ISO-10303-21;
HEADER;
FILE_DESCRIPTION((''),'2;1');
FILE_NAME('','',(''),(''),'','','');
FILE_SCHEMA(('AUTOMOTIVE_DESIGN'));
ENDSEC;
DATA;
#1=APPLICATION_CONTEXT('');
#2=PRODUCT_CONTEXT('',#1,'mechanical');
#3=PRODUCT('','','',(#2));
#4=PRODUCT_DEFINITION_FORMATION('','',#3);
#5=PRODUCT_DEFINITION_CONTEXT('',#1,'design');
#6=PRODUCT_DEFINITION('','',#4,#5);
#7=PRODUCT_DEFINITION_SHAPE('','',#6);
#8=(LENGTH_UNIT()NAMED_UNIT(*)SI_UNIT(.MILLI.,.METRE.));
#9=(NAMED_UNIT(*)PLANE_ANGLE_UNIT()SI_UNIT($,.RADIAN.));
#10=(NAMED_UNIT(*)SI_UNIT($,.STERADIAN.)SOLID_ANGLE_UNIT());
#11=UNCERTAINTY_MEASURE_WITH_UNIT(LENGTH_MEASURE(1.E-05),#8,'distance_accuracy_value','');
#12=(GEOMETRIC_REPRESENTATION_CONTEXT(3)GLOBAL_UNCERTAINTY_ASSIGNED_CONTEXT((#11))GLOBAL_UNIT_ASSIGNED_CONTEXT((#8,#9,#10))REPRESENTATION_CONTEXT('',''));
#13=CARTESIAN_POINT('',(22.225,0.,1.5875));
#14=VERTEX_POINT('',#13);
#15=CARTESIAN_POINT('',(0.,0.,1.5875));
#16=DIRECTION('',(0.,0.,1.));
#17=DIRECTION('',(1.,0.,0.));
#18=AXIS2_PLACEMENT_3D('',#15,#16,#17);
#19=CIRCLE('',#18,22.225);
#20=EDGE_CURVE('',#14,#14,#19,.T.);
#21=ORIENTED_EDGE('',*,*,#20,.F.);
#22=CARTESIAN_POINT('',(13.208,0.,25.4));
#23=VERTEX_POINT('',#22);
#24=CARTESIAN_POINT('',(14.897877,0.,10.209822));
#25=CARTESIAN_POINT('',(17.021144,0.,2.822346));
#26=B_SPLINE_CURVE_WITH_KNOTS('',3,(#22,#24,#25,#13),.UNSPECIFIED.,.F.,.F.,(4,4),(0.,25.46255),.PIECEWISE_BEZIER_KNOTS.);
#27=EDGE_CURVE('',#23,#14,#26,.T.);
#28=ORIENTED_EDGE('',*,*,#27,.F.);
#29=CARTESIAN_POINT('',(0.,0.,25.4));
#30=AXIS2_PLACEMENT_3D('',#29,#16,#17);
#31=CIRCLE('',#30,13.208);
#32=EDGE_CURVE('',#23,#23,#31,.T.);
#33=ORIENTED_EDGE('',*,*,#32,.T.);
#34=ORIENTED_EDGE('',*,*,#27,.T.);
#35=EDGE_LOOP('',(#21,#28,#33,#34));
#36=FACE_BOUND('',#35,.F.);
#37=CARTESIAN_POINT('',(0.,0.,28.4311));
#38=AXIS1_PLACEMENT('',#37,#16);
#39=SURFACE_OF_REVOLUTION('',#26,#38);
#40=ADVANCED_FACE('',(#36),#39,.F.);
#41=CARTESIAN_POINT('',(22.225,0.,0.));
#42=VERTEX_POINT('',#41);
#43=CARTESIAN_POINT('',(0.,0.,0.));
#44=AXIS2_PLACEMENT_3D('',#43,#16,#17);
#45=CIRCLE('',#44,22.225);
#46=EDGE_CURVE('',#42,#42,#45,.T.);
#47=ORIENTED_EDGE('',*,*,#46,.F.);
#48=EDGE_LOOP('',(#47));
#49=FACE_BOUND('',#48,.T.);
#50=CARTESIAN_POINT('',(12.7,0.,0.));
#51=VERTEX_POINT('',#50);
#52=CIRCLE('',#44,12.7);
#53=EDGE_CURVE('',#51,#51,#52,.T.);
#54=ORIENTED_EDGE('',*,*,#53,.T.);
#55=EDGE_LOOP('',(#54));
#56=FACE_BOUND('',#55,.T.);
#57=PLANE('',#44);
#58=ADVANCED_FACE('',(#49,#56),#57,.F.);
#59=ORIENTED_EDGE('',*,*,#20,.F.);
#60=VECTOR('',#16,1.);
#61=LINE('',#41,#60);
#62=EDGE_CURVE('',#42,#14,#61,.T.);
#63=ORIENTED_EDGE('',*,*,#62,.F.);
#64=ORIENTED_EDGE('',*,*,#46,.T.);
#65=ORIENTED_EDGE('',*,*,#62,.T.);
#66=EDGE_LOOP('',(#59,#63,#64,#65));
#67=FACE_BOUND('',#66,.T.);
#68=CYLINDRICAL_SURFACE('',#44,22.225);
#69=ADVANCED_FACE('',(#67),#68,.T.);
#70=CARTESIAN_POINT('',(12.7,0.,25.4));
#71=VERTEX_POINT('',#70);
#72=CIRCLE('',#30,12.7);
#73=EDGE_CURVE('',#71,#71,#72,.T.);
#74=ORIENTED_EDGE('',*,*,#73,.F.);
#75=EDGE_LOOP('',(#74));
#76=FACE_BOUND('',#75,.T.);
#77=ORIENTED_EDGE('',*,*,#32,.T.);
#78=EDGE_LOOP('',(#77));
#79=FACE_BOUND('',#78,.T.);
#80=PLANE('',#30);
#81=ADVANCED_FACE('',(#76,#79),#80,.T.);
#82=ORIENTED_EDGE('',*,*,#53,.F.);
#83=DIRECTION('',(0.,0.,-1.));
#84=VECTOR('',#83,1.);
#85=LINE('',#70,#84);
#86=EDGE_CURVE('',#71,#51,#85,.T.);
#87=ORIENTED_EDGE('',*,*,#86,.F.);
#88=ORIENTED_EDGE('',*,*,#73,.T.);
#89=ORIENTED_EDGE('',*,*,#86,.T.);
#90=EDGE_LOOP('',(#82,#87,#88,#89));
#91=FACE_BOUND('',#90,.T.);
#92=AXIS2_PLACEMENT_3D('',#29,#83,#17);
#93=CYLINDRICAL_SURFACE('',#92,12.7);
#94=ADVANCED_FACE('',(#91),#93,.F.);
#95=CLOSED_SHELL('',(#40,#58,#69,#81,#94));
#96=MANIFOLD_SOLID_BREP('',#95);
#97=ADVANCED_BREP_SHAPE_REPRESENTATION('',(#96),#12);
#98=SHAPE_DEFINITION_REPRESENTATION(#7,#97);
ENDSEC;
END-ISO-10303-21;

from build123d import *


with BuildPart() as f1:
    # F0 (on Front) → F1 (revolve)
    with BuildSketch(Plane.XZ):
        with BuildLine():
            Line((12.7, 25.4), (12.7, 0))
            Line((12.7, 0), (22.225, 0))
            Line((22.225, 0), (22.225, 1.5875))
            add(Edge.make_bspline(
                [(13.208, 25.4), (14.897877, 10.209822), (17.021144, 2.822346), (22.225, 1.5875)],
                knots=[0, 0, 0, 0, 25.46255, 25.46255, 25.46255, 25.46255], degree=3))
            Line((13.208, 25.4), (12.7, 25.4))
        make_face()
    revolve(axis=Axis((0, 0, 28.4311), (0, 0, 1)))


solid = f1.part
